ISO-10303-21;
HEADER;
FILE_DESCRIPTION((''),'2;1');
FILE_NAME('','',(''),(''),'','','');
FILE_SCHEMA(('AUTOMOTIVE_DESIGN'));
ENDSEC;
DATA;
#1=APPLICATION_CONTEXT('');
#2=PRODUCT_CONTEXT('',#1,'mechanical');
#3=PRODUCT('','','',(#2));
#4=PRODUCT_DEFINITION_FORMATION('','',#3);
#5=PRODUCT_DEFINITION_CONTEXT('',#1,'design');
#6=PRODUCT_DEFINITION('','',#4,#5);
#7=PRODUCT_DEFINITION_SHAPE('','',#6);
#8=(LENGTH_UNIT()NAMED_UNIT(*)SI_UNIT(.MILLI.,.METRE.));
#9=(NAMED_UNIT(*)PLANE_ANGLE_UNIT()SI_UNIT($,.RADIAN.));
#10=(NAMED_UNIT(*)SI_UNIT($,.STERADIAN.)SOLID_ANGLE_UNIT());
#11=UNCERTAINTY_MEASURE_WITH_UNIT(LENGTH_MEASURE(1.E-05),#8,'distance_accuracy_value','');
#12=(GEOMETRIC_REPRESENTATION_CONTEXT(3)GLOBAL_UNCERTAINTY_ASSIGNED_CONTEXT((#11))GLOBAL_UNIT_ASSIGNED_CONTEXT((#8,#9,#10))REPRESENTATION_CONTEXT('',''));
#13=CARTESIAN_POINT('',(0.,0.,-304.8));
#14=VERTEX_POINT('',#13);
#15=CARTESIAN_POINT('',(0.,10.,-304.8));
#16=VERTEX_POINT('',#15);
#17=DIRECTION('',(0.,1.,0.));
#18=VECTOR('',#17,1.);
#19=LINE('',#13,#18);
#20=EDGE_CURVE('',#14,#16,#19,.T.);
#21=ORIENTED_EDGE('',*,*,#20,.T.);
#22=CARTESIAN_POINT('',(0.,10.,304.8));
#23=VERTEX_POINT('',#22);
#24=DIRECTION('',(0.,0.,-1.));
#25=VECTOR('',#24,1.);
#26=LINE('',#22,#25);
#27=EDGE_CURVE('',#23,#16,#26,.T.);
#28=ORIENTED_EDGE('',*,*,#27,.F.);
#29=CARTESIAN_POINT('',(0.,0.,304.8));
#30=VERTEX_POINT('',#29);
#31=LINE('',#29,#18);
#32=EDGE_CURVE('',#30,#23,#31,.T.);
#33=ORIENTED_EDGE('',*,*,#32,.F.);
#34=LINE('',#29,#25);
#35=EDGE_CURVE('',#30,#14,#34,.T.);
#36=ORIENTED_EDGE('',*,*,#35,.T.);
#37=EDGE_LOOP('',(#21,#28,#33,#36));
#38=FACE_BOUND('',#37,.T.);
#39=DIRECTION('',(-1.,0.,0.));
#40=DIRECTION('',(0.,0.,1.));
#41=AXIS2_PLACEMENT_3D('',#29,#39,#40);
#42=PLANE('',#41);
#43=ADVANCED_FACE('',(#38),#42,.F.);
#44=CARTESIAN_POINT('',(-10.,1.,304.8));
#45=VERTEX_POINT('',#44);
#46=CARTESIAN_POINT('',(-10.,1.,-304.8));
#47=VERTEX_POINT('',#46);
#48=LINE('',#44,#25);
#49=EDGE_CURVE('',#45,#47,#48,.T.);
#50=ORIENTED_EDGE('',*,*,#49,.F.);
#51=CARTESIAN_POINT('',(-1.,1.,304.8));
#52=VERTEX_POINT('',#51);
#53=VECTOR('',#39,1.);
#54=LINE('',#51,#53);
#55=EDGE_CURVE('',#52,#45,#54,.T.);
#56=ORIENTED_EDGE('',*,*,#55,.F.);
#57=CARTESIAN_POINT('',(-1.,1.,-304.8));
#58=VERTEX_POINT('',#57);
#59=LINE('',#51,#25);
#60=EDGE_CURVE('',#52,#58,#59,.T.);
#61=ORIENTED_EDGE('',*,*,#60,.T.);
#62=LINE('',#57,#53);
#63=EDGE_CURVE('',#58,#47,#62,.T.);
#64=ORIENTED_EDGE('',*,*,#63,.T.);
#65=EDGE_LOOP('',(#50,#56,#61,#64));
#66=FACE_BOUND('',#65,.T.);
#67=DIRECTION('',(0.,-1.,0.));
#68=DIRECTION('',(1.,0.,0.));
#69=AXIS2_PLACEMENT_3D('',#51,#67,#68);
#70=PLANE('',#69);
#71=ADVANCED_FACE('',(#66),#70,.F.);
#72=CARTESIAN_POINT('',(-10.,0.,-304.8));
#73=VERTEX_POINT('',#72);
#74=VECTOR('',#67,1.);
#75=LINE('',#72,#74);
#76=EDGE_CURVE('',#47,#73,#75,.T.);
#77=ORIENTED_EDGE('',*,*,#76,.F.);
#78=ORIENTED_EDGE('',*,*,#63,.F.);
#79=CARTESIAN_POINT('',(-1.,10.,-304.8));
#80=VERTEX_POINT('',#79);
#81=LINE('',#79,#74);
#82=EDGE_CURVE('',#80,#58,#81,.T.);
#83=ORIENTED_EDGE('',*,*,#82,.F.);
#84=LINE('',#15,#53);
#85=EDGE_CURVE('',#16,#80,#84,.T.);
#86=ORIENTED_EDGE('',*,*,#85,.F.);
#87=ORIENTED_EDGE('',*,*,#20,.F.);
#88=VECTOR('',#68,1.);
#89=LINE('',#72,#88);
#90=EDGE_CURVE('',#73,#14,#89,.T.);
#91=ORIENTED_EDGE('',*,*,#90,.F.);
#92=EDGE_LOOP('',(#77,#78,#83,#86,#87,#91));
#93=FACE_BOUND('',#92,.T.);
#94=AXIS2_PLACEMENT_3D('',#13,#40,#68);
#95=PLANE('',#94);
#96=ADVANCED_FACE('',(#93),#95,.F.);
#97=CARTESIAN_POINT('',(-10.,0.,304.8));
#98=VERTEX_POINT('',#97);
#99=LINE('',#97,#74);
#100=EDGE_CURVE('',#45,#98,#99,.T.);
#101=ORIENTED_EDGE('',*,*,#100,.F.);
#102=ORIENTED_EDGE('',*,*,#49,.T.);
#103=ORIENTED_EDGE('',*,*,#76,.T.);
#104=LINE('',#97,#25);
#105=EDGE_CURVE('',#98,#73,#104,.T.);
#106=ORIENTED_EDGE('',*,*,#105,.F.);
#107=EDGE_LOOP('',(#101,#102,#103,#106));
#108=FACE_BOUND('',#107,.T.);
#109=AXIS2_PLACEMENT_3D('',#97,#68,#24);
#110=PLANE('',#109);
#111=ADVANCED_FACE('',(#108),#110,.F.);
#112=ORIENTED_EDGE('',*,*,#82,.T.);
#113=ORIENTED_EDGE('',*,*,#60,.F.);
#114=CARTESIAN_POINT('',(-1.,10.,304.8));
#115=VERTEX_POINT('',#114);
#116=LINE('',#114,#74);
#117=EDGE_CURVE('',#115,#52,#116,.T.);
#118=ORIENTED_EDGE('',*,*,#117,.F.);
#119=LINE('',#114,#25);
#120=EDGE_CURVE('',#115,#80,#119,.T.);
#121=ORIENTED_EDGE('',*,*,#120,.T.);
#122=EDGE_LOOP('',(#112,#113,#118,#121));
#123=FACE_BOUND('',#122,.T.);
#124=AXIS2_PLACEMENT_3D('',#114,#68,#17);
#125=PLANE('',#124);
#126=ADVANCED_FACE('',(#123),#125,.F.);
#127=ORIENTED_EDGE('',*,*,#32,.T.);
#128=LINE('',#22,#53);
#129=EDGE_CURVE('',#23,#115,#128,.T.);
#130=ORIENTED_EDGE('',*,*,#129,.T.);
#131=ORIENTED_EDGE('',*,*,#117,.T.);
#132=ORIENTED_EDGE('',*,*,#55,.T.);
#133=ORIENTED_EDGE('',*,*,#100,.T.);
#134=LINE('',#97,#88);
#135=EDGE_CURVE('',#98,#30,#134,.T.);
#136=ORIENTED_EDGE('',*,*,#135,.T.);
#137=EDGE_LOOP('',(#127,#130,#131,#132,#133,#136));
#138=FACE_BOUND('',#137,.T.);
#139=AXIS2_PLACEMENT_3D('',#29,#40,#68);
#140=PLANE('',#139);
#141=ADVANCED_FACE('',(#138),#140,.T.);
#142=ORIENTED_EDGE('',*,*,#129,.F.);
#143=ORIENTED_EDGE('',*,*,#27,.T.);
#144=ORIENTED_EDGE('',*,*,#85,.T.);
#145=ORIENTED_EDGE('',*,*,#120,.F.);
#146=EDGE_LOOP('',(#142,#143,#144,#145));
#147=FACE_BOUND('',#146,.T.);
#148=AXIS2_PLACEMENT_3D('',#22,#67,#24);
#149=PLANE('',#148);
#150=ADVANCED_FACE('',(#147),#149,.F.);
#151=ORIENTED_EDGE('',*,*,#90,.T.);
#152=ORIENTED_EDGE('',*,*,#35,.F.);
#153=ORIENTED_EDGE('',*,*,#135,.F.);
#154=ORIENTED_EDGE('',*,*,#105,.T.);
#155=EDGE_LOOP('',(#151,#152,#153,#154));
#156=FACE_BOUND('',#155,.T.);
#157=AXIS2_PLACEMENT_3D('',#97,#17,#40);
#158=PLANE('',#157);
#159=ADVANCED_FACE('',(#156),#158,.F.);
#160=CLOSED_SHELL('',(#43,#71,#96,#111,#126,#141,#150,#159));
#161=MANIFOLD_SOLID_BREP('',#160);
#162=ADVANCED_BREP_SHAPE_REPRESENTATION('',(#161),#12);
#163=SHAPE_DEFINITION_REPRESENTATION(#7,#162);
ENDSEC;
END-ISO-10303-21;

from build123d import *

# Parameters (mm, degrees)
BOSS_EXTRUDE1_DEPTH      = 304.8
BOSS_EXTRUDE1_DEPTH_BACK = 304.8


with BuildPart() as part:
    # Sketch3 → Boss-Extrude1 (new, two sides: drawn at the far end of the back side and taken through both)
    with BuildSketch(Plane.XY.offset(-BOSS_EXTRUDE1_DEPTH_BACK)):
        Polygon((-10, 0), (0, 0), (0, 10), (-1, 10), (-1, 1), (-10, 1), align=None)
    extrude(amount=BOSS_EXTRUDE1_DEPTH + BOSS_EXTRUDE1_DEPTH_BACK)


solid = part.part
